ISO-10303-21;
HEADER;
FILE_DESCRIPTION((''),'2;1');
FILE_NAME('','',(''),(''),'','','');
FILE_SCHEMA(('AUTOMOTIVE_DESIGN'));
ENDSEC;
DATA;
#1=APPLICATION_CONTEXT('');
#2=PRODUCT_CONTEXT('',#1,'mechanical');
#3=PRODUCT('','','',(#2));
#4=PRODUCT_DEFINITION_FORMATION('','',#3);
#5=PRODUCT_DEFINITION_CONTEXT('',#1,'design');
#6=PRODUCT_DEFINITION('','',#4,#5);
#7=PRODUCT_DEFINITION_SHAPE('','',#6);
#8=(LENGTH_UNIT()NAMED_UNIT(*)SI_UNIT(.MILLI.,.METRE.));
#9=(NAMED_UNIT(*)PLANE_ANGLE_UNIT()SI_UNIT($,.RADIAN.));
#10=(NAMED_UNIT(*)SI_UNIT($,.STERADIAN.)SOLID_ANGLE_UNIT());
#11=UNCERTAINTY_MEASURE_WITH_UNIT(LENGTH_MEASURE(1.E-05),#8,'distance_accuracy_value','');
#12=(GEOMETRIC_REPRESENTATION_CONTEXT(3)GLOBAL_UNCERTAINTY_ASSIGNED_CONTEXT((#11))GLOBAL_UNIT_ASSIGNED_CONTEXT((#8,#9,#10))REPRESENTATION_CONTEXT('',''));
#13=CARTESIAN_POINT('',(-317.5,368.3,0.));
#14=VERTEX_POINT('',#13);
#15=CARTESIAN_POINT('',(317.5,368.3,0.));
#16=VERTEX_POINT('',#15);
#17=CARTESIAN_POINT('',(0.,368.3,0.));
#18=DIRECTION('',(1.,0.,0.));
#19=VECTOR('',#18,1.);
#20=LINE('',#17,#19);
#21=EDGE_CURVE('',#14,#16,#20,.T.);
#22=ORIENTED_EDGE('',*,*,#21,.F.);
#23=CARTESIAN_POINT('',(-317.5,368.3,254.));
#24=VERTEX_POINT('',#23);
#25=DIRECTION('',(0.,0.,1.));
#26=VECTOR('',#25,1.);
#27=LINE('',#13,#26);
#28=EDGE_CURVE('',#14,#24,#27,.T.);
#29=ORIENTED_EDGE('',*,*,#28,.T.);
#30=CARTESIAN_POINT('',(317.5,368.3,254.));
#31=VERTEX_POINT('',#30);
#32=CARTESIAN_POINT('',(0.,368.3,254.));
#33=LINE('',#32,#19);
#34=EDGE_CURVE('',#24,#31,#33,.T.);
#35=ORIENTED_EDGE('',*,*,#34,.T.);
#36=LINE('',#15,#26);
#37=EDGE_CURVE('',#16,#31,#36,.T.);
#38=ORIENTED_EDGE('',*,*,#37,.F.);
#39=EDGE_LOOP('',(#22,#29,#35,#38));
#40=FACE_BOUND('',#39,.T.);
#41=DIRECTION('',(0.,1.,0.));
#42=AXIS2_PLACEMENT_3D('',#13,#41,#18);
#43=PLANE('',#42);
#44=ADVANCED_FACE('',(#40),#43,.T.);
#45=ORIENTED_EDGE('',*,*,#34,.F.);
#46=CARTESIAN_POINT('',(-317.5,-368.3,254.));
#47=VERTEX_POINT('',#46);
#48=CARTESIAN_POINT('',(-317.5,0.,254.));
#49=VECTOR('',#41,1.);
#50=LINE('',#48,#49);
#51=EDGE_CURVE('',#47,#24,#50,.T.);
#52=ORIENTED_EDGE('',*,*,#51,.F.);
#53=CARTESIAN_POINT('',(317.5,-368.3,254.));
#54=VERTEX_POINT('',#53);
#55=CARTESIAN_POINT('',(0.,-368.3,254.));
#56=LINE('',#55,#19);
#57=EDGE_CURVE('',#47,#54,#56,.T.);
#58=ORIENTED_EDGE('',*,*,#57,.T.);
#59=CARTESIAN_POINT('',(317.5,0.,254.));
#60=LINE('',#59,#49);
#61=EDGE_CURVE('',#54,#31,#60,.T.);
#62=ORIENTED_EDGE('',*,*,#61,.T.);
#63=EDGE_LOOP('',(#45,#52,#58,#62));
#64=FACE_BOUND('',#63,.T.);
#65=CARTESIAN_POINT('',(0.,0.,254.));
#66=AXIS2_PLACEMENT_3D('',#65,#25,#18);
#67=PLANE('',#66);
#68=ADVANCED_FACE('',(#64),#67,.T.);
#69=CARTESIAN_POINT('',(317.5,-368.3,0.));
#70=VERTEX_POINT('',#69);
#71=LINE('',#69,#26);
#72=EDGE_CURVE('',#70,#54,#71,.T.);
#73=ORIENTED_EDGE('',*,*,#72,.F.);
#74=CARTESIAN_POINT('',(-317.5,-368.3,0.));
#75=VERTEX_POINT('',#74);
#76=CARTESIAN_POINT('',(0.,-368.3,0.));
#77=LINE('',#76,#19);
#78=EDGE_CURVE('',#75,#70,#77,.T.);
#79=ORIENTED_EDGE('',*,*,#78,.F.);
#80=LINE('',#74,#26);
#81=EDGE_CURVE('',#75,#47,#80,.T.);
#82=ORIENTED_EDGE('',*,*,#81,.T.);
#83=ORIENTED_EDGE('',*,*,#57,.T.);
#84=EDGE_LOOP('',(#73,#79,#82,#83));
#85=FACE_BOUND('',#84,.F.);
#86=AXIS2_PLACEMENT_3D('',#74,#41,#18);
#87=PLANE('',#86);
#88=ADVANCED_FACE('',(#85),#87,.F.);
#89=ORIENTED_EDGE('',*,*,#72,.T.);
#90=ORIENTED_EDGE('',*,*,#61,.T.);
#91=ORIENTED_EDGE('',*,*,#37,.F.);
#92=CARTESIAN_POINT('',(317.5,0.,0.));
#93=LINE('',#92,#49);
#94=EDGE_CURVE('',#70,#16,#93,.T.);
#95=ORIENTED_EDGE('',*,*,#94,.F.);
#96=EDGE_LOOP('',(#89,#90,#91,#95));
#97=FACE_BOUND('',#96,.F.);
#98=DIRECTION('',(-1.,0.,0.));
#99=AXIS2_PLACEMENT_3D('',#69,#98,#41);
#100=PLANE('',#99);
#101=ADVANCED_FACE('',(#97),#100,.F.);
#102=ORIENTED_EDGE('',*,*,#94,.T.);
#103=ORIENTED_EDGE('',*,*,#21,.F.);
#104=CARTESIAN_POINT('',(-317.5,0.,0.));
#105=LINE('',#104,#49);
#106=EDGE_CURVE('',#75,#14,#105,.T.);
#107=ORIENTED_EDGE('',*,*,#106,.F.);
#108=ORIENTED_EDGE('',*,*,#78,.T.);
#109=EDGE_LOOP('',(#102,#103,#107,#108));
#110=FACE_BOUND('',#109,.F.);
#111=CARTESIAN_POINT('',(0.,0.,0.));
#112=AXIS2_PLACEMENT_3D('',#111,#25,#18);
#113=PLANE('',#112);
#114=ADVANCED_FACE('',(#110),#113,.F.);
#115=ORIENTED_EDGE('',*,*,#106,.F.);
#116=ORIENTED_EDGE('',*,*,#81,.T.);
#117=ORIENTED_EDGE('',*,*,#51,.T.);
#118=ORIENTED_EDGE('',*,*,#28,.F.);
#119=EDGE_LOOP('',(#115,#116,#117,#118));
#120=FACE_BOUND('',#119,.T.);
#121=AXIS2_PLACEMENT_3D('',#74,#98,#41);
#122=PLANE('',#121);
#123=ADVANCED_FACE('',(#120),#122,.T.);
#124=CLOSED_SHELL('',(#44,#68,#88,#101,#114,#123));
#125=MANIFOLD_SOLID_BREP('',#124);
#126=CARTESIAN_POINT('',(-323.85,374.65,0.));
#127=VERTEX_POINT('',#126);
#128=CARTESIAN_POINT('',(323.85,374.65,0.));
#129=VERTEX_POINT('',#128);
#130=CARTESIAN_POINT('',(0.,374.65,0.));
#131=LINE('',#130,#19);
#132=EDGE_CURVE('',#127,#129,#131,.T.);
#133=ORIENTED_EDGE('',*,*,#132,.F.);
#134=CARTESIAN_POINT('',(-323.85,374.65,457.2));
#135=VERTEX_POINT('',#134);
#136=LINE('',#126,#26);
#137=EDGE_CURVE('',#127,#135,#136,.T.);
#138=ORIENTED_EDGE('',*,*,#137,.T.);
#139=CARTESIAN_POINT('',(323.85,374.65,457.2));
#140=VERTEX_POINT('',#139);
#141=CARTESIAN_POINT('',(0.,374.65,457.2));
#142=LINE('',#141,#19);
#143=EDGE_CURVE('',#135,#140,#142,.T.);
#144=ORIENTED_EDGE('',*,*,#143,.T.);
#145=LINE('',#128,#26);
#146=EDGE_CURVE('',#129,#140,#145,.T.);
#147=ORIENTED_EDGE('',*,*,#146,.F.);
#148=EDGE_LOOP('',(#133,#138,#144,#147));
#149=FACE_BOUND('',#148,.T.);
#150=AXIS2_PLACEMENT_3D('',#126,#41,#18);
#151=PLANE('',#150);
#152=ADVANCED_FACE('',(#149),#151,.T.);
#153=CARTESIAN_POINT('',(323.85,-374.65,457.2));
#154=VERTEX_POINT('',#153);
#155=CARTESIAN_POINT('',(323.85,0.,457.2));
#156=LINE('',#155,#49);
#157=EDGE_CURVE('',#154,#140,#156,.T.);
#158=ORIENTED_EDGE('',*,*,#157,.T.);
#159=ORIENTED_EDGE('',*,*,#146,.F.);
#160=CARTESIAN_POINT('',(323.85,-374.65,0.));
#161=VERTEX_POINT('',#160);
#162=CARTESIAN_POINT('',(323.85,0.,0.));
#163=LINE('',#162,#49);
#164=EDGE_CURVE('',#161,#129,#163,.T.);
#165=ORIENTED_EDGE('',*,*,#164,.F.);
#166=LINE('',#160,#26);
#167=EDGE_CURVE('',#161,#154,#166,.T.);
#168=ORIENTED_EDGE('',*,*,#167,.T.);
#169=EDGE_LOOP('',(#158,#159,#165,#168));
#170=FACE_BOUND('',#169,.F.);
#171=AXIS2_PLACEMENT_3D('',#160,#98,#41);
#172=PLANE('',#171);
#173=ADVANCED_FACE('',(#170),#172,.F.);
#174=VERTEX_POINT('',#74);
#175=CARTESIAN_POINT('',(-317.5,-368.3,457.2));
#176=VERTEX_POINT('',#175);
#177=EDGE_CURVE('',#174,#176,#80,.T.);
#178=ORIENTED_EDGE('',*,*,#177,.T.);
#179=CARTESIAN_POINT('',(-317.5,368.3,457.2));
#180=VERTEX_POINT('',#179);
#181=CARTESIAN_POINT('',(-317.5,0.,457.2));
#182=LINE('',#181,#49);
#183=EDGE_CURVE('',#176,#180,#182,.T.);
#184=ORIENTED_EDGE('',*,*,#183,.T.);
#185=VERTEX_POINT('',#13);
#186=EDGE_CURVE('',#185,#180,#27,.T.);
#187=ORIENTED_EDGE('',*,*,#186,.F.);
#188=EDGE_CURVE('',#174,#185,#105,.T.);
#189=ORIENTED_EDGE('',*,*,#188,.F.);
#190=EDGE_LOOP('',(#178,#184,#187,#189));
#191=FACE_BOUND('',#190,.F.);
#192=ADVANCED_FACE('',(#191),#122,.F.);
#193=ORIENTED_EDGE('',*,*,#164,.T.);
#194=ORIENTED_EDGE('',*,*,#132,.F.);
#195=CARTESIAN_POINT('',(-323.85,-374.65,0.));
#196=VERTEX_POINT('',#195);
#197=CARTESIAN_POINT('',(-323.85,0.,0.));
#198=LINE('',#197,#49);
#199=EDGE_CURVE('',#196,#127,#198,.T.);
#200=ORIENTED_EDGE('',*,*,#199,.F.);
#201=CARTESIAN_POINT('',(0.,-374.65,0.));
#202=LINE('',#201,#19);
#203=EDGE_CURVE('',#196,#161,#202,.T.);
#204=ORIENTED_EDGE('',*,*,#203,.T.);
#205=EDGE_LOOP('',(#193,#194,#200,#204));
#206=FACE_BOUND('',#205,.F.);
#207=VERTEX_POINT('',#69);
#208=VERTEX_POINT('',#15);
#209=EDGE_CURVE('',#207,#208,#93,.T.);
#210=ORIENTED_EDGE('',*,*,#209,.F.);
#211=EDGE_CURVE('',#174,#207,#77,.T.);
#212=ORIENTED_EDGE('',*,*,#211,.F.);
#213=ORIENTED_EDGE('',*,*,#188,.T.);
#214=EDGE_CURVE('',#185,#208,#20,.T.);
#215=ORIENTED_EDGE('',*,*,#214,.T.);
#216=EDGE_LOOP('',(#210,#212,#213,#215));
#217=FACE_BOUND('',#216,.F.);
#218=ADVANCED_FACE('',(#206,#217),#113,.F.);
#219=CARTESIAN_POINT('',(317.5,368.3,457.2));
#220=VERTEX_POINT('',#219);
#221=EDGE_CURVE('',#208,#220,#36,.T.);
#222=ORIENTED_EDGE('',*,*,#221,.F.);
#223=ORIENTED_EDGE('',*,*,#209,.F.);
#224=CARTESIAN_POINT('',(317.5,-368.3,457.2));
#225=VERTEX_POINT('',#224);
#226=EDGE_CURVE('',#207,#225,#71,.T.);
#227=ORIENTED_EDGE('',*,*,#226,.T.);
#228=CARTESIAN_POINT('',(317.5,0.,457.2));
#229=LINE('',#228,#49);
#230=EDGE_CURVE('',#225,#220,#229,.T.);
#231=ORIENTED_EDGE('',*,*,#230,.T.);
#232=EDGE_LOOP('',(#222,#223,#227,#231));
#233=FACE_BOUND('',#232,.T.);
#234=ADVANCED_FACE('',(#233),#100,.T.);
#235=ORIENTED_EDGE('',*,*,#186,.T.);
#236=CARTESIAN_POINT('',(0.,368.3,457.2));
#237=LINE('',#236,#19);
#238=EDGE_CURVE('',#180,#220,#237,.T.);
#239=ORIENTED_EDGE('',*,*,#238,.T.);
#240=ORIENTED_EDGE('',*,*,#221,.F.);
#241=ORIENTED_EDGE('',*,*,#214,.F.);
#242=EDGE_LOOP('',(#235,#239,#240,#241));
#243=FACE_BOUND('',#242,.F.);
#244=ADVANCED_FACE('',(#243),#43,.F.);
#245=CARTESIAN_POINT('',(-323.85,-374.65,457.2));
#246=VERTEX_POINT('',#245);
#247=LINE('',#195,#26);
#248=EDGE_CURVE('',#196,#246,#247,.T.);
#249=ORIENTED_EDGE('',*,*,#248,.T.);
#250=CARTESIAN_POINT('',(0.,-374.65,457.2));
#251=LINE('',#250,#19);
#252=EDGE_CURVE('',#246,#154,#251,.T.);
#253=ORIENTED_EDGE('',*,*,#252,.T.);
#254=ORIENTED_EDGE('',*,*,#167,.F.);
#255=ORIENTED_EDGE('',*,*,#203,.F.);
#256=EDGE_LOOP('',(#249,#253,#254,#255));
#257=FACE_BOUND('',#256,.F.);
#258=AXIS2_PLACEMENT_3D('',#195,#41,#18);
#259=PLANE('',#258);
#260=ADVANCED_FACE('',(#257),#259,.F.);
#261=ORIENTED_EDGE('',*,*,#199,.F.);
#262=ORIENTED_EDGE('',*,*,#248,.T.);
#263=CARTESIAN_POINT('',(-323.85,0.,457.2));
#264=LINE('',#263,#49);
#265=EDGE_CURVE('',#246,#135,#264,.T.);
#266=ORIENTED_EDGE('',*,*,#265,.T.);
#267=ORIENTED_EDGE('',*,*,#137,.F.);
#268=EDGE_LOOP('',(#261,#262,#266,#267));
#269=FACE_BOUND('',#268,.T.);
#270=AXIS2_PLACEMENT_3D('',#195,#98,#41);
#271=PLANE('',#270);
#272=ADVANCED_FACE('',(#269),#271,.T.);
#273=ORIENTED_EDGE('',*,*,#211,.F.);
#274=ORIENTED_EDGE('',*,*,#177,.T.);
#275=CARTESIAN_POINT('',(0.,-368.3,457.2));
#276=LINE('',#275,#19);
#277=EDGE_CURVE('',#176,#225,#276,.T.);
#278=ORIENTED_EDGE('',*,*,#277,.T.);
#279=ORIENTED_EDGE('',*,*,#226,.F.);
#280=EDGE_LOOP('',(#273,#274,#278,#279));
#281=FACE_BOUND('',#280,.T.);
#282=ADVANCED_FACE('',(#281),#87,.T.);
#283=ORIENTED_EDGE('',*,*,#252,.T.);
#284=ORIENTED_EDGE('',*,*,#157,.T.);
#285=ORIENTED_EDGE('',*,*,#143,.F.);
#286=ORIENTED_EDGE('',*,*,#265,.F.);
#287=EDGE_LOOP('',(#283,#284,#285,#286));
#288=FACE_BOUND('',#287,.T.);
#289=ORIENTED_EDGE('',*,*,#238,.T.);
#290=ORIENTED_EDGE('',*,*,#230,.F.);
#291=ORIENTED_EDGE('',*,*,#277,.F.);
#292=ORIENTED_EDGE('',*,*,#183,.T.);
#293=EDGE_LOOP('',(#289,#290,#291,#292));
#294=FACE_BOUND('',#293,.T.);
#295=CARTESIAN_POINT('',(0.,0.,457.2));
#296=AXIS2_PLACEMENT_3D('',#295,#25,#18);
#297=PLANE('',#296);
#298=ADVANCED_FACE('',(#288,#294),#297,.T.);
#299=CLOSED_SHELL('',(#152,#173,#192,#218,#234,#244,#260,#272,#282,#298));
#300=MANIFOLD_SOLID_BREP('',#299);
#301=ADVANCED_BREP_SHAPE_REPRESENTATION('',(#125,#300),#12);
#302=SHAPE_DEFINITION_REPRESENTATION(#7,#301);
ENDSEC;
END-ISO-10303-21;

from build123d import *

# Parameters (mm, degrees)
F0_W     = 647.7
F0_H     = 749.3
F0_W_2   = 635
F0_H_2   = 736.6
F1_DEPTH = 457.2
F2_W     = 635
F2_H     = 736.6
F3_DEPTH = 254


with BuildPart() as f1:
    # F0 (on Top) → F1 (new body)
    with BuildSketch(Plane.XY):
        Rectangle(F0_W, F0_H)
        Rectangle(F0_W_2, F0_H_2, mode=Mode.SUBTRACT)
    extrude(amount=F1_DEPTH)


with BuildPart() as f3:
    # F2 (on Top) → F3 (new body)
    with BuildSketch(Plane.XY):
        Rectangle(F2_W, F2_H)
    extrude(amount=F3_DEPTH)


solid = Compound([f1.part, f3.part])
